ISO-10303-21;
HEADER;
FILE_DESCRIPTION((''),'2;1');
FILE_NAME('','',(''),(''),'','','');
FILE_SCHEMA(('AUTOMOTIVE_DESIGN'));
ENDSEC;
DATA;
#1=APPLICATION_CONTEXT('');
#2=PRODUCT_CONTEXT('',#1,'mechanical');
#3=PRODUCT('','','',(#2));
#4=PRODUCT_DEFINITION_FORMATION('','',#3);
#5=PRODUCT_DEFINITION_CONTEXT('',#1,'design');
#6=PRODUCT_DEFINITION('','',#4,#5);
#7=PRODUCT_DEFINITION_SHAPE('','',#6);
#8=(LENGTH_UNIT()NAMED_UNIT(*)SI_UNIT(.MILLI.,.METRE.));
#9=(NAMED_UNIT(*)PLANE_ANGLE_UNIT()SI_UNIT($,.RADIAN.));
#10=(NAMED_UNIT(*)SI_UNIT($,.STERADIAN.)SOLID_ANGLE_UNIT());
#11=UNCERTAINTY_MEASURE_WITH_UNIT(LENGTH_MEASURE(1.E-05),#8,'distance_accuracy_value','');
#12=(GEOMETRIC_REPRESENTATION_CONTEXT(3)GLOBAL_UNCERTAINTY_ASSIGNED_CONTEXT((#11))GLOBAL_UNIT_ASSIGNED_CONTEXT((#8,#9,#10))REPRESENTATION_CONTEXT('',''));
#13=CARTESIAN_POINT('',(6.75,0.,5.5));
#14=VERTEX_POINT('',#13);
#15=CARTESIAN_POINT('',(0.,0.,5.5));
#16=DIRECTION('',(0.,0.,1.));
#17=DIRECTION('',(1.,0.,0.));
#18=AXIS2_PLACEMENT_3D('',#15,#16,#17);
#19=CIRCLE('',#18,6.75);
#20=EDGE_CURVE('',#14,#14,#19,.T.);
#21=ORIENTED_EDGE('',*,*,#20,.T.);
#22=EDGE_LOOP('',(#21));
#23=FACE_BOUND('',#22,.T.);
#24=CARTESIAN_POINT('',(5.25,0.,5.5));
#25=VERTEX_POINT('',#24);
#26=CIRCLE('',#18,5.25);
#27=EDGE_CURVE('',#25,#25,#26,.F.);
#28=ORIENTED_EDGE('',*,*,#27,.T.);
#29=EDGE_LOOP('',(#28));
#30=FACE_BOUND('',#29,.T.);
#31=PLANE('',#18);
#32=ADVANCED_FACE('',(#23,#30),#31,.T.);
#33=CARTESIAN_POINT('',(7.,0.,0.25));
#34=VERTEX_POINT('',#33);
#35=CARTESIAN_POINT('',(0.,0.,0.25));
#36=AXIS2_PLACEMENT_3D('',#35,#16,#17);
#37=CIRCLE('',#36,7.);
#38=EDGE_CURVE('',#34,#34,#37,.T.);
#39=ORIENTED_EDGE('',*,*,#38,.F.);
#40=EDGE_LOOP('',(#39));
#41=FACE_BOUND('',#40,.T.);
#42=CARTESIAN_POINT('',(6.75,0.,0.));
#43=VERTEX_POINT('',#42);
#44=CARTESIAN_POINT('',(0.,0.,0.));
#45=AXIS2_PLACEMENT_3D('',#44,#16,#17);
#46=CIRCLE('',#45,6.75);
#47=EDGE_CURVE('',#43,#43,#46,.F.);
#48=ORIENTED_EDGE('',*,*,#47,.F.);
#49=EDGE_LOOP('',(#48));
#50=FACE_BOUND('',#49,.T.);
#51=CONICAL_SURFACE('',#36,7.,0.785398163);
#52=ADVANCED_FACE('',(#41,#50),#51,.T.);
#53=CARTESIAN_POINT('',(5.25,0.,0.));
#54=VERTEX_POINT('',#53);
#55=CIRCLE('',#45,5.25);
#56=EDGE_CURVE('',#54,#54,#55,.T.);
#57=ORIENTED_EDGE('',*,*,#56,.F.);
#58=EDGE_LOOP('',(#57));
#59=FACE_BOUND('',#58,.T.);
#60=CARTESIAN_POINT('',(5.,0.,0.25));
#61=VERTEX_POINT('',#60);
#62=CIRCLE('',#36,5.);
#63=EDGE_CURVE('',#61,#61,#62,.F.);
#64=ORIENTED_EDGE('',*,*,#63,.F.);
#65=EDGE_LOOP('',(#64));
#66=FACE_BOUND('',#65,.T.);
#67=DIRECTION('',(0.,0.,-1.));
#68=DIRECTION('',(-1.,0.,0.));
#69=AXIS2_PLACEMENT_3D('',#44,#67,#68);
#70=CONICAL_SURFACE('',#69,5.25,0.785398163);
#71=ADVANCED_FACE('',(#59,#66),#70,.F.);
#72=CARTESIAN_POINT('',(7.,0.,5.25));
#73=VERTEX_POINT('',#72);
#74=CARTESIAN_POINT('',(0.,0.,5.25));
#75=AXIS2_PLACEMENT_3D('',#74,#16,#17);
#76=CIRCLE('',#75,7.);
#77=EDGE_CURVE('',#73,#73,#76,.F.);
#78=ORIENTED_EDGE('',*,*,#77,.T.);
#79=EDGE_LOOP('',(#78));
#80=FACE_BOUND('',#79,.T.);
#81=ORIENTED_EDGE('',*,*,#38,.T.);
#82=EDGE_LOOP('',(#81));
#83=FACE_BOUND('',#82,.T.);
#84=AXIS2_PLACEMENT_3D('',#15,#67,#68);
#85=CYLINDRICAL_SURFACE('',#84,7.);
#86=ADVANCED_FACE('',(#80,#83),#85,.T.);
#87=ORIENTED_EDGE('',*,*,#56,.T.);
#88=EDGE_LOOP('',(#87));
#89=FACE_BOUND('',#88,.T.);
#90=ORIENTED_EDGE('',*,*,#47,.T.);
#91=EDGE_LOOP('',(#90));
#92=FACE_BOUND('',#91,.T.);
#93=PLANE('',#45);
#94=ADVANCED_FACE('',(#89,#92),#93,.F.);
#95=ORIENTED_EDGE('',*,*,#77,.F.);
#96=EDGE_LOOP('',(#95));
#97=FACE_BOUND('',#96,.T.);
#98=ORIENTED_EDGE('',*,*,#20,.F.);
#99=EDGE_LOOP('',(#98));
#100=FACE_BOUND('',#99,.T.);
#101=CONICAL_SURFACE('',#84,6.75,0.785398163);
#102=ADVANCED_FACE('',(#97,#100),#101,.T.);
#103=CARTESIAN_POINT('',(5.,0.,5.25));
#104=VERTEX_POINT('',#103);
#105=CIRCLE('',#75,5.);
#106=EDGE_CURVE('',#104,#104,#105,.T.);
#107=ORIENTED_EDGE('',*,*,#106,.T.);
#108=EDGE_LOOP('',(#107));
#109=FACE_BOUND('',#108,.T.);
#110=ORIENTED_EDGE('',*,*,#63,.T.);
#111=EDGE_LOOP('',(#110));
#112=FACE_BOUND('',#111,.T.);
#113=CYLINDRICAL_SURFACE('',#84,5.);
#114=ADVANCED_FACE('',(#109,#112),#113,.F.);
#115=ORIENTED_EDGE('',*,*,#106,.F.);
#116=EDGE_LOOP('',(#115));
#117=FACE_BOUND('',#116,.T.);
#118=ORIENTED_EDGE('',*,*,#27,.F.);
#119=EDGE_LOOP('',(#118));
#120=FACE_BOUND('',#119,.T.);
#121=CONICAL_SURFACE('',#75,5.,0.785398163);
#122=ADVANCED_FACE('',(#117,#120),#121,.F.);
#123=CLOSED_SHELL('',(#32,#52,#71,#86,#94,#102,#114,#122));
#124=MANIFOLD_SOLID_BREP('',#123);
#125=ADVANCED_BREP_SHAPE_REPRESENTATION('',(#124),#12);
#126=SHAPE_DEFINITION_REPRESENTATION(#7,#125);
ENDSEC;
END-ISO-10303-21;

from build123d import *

# Parameters (mm, degrees)
BK_COLLAR_SKETCH_R     = 7
BK_COLLAR_SKETCH_R_2   = 5
BK_COLLAR_DEPTH        = 5.5
BK_COLLAR_CHAMFER_SIZE = 0.25


with BuildPart() as part:
    # BK Collar Sketch → BK Collar (new body)
    with BuildSketch(Plane.XY):
        Circle(BK_COLLAR_SKETCH_R)
        Circle(BK_COLLAR_SKETCH_R_2, mode=Mode.SUBTRACT)
    extrude(amount=BK_COLLAR_DEPTH)

    # BK Collar Chamfer
    bk_collar_chamfer_edges = [part.edges().sort_by_distance(p)[0] for p in [
        (-7, 0, 0),
        (-7, 0, 5.5),
        (-5, 0, 0),
        (-5, 0, 5.5),
    ]]
    chamfer(bk_collar_chamfer_edges, length=BK_COLLAR_CHAMFER_SIZE)


solid = part.part
